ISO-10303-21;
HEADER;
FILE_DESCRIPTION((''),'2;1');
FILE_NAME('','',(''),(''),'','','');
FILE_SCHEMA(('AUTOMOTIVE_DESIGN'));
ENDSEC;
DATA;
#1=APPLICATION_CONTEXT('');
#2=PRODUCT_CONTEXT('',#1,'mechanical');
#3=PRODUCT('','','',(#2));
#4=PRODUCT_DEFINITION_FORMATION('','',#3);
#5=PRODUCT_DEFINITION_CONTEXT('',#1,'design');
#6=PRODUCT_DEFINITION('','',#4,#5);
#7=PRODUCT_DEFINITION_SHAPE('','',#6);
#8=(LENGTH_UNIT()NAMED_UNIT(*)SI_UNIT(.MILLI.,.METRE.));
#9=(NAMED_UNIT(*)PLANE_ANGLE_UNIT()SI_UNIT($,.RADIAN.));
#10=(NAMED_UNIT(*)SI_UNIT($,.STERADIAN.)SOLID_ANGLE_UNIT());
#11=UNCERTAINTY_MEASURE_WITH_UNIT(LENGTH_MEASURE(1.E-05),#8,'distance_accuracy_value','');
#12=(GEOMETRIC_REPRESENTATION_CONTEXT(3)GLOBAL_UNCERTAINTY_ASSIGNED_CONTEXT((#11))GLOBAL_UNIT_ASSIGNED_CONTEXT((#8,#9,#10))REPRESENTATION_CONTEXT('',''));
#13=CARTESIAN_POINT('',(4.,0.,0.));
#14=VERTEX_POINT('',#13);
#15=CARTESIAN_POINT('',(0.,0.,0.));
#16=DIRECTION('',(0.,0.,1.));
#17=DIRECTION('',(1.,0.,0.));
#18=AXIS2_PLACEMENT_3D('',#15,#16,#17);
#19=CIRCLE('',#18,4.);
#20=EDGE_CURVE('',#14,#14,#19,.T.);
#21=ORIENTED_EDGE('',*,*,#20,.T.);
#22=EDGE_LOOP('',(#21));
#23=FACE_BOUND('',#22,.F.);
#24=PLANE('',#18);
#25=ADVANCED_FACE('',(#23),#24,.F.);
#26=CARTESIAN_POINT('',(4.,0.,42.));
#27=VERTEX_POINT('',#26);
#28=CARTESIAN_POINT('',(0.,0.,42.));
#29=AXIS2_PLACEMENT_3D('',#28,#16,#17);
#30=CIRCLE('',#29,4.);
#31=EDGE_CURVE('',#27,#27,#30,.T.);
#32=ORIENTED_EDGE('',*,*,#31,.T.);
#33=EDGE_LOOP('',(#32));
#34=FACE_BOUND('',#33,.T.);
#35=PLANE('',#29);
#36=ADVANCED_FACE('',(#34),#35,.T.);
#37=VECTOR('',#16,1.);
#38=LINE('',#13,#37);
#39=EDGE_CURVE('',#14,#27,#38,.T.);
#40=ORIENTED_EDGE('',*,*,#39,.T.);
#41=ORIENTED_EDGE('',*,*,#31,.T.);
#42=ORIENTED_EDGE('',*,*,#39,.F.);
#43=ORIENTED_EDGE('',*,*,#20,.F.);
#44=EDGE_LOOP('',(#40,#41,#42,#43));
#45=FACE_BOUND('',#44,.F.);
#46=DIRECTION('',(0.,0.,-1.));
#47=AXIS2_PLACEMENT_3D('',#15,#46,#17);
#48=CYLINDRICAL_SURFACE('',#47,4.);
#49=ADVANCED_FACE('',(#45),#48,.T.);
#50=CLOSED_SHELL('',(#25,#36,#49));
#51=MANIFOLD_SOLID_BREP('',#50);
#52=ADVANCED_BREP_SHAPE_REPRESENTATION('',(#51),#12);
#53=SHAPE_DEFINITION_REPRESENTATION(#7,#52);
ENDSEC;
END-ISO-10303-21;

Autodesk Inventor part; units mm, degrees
ref_plane "YZ Plane" through (0, 0, 0) normal (1, 0, 0) x (0, 1, 0)
ref_plane "XZ Plane" through (0, 0, 0) normal (0, 1, 0) x (-1, 0, 0)
ref_plane "XY Plane" through (0, 0, 0) normal (0, 0, 1) x (1, 0, 0)
sketch "スケッチ1" plane through (0, 0, 0) normal (0, 0, 1) x (1, 0, 0)
  circle A0 centre (0, 0) radius 4
  dimension "d0" = 8
extrude "押し出し1" add sketch "スケッチ1" along normal blind 42
properties part number "LR61"
